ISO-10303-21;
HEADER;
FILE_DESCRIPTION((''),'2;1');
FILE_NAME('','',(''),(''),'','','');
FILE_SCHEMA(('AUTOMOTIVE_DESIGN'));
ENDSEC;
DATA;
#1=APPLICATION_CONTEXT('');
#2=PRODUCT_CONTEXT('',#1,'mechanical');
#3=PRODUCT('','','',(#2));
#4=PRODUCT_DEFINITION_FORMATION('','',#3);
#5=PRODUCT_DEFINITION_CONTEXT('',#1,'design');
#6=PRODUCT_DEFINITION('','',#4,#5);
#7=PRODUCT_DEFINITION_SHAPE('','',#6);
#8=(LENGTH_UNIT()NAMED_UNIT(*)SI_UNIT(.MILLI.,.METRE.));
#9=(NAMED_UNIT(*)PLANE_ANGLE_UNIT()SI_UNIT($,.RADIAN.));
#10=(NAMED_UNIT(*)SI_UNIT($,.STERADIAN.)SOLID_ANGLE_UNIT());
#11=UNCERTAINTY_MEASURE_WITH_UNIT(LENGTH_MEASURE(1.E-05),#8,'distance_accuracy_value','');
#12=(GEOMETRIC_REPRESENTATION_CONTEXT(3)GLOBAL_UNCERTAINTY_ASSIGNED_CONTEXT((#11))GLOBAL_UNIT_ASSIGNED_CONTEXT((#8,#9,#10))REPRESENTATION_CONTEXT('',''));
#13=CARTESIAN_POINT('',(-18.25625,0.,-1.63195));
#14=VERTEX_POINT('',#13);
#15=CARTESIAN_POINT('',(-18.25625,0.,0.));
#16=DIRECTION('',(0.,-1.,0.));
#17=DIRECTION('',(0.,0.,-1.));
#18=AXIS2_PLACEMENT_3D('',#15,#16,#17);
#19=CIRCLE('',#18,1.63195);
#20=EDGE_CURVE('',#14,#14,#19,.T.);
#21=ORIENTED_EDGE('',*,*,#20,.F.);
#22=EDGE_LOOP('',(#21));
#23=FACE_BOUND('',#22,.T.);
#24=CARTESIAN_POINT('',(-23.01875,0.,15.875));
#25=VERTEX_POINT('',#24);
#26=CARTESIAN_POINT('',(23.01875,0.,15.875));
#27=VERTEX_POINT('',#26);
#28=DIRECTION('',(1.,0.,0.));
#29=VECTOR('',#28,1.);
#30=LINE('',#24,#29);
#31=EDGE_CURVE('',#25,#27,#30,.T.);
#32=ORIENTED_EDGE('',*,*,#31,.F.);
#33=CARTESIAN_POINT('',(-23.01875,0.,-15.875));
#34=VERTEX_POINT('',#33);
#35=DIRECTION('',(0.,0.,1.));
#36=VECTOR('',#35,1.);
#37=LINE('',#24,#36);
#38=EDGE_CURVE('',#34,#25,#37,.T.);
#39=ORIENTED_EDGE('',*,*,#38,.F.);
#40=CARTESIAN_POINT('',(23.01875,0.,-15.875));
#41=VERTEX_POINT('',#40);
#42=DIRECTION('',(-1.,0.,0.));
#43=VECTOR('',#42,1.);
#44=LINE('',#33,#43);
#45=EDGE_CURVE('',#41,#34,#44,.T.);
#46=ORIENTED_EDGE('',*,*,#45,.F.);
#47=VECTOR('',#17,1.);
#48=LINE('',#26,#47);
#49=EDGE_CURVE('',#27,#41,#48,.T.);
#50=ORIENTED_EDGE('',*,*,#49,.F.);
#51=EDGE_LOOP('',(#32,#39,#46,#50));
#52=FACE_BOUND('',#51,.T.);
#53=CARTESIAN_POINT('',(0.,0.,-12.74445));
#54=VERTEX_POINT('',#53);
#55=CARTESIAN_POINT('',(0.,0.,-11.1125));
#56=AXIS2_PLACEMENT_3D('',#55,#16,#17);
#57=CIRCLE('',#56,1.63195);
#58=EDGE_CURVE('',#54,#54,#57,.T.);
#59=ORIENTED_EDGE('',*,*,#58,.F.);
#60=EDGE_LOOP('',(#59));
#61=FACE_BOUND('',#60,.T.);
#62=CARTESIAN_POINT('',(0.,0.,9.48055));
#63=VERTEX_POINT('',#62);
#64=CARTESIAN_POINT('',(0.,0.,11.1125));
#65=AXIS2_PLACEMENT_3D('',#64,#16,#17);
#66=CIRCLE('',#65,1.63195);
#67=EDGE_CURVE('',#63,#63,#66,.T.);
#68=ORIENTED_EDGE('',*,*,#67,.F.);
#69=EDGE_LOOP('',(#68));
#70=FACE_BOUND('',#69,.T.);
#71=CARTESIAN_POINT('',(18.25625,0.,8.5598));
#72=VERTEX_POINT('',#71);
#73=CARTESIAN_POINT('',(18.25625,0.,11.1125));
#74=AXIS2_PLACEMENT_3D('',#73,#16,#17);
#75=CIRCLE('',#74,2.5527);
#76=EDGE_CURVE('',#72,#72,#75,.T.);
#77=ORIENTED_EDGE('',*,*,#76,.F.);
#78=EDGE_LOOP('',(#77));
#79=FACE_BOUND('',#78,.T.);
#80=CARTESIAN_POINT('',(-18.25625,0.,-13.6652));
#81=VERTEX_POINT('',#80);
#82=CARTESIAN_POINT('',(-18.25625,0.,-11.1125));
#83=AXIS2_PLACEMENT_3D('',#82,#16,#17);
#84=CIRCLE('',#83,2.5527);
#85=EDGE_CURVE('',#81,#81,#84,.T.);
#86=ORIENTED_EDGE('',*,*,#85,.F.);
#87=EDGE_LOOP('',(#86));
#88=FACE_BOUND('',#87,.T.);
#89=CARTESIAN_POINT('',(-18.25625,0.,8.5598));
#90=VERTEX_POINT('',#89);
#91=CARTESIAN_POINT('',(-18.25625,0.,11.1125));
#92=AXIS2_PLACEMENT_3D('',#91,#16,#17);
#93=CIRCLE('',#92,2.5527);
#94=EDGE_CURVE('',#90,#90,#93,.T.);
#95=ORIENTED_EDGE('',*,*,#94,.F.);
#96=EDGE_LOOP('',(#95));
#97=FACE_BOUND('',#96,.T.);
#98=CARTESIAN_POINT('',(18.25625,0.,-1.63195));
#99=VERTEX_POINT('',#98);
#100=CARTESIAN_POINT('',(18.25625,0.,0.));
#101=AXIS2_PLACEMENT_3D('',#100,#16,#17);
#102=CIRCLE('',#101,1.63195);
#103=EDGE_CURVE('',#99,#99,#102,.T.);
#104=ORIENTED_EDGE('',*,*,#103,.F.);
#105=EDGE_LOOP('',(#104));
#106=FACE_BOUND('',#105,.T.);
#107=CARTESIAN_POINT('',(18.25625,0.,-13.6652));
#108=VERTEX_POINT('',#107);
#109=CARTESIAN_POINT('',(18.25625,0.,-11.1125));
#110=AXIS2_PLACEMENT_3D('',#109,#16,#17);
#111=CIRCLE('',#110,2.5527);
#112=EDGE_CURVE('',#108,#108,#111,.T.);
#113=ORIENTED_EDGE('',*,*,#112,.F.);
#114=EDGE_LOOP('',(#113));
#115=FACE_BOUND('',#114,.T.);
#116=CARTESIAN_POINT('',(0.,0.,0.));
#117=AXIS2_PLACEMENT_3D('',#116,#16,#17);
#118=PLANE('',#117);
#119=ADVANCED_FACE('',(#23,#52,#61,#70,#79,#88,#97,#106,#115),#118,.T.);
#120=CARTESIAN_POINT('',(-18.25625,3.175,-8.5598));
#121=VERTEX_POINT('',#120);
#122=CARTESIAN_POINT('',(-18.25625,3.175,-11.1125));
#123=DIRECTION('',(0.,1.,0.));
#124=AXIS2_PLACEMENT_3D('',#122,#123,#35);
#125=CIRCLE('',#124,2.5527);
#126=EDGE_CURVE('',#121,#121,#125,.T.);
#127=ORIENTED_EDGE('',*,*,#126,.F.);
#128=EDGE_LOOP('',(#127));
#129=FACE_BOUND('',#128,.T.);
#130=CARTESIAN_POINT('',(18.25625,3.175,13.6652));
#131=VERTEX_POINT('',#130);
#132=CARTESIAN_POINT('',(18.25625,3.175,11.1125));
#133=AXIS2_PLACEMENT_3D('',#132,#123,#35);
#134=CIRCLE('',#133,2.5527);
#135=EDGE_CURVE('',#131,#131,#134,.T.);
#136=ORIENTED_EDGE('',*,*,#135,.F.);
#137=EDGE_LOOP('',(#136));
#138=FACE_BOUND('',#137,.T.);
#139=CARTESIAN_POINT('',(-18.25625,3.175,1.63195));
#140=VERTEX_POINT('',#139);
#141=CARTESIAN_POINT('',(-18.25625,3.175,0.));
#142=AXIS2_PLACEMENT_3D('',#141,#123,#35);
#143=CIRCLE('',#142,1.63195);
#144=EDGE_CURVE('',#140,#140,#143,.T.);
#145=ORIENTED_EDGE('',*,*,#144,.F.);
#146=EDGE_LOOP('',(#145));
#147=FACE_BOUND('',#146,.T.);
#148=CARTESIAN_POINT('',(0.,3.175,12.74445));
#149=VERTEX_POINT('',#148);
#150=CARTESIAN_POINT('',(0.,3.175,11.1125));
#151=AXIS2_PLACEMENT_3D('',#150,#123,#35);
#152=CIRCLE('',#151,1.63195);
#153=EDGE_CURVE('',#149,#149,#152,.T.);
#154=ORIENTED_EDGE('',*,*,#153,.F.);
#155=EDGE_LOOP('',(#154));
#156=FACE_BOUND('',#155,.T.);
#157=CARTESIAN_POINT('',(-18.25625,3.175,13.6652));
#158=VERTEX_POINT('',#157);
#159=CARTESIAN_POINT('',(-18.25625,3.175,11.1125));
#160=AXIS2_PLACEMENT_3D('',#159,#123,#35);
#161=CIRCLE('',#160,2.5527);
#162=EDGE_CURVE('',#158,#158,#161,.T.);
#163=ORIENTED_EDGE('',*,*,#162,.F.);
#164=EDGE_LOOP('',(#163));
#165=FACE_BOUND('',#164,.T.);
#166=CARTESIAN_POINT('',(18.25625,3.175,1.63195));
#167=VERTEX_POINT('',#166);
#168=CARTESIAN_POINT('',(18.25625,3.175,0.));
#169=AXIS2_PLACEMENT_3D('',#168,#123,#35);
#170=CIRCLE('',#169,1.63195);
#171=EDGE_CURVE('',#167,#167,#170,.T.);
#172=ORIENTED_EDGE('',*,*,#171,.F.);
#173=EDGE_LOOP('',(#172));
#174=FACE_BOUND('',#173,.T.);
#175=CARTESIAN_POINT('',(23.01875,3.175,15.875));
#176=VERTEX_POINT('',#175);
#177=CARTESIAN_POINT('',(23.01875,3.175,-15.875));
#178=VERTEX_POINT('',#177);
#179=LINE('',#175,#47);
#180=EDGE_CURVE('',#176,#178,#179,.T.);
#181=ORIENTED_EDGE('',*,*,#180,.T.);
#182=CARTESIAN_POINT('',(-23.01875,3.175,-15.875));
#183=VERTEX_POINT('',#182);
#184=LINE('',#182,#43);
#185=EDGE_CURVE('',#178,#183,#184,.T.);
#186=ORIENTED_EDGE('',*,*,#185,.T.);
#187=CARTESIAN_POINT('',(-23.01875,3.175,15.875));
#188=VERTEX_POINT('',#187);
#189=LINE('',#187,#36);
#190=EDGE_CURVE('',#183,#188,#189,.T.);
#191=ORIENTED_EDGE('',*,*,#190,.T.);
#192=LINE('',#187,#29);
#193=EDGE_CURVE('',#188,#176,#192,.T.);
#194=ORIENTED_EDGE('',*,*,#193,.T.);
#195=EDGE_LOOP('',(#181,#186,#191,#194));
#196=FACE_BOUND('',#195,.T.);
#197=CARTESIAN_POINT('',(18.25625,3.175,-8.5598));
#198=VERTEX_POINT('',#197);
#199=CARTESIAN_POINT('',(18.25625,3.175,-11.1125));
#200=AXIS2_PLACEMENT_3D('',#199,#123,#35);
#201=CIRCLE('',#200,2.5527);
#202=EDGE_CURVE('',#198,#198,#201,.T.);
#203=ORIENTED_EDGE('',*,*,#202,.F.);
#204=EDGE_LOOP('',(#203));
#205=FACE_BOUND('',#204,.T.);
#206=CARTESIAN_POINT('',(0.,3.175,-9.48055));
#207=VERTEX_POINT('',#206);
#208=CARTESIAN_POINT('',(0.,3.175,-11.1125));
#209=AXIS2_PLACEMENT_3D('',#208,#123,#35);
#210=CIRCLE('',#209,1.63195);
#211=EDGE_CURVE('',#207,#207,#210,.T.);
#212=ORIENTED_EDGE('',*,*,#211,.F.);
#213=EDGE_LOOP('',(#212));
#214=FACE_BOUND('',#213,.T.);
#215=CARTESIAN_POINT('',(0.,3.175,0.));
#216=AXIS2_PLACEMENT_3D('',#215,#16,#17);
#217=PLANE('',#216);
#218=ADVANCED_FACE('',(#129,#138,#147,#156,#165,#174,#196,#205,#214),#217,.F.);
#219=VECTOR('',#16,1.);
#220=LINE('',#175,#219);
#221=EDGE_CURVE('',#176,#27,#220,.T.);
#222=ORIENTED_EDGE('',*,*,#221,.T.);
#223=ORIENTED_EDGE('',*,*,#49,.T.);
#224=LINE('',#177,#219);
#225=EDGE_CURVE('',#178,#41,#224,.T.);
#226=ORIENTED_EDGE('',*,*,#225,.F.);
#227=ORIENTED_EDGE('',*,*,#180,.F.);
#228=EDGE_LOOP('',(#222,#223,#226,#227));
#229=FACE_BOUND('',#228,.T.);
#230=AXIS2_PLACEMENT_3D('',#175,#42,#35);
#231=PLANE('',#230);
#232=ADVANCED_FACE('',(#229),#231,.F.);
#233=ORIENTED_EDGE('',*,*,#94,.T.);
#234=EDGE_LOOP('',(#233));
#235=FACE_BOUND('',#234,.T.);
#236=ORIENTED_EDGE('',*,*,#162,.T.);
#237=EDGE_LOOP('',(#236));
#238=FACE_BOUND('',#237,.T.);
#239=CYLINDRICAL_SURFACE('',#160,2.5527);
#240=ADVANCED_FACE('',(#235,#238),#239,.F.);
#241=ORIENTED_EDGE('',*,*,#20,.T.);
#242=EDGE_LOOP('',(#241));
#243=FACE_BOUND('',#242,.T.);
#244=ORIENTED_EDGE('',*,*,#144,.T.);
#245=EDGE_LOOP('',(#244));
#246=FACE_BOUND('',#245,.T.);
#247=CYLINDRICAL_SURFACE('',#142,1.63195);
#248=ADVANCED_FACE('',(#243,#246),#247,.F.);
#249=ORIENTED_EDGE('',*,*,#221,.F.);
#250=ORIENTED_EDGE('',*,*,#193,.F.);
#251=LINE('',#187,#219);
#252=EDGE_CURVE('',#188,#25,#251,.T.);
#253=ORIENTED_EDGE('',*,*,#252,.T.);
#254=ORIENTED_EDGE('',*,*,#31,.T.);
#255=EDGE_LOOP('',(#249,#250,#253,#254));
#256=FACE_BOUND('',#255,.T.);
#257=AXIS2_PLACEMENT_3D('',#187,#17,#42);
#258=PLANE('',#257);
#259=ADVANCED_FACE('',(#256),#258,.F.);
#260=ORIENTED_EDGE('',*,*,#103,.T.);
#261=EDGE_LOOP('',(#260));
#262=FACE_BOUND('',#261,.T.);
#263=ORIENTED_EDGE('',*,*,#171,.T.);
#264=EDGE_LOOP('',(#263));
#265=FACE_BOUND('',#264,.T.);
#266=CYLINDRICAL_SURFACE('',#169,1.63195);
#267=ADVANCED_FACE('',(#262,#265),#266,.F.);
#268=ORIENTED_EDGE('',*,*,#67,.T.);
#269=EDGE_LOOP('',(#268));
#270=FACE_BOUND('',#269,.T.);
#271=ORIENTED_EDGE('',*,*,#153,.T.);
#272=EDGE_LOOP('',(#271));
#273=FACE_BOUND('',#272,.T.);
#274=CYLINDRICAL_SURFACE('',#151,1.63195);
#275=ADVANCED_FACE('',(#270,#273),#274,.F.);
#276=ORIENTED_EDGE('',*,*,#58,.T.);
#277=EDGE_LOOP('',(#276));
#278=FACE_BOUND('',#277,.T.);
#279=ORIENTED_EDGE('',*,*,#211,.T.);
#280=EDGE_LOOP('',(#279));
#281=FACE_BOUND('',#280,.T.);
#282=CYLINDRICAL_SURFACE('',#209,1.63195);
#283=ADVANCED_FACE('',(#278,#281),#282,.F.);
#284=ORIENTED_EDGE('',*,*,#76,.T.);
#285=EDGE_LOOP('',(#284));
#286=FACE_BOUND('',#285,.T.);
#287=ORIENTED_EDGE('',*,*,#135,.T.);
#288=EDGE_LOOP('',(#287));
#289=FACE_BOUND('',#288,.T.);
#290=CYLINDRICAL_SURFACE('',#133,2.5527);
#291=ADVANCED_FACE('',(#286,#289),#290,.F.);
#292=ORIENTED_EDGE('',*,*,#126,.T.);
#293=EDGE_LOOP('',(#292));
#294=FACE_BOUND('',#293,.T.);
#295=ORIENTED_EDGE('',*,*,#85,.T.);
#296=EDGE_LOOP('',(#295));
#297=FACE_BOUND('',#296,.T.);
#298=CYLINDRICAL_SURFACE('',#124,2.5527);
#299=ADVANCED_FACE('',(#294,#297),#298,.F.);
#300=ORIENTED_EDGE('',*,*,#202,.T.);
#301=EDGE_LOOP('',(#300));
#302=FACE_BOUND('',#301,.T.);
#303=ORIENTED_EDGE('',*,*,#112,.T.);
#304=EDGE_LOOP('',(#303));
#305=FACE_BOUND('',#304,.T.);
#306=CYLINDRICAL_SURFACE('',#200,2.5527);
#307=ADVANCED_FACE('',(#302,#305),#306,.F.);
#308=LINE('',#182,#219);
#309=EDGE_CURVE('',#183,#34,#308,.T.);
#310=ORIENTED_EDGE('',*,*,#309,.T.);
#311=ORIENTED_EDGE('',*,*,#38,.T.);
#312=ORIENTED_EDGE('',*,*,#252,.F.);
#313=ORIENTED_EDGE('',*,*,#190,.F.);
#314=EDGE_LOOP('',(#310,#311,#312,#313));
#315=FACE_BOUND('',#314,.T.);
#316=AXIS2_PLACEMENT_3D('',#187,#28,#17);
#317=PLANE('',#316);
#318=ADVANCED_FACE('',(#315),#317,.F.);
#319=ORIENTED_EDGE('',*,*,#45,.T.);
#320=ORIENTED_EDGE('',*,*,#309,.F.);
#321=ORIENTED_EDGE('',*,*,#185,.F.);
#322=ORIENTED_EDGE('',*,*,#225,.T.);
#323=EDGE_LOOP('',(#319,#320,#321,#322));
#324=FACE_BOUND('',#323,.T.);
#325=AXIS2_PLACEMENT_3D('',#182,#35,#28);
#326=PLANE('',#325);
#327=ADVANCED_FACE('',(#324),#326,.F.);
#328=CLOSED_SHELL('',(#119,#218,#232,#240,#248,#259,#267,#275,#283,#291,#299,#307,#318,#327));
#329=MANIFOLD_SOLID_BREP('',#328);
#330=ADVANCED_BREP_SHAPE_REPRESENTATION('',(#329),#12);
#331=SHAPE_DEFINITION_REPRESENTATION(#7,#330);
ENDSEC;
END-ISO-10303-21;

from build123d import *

# Parameters (mm, degrees)
SKETCH1_W              = 46.0375
SKETCH1_H              = 31.75
BOSS_EXTRUDE1_DEPTH    = 3.175
F_10_CLEARANCE_HOLE1_D = 5.1054
F_4_CLEARANCE_HOLE1_D  = 3.2639


with BuildPart() as part:
    # Sketch1 → Boss-Extrude1 (new body)
    with BuildSketch(Plane(origin=(0, 0, 0), x_dir=(1, 0, 0), z_dir=(0, 1, 0))):
        Rectangle(SKETCH1_W, SKETCH1_H)
    extrude(amount=BOSS_EXTRUDE1_DEPTH)

    # #10 Clearance Hole1 (through all)
    with Locations(Plane(origin=(0, 3.175, 0), x_dir=(1, 0, 0), z_dir=(0, 1, 0))):
        with Locations((-18.25625, 11.1125), (-18.25625, -11.1125), (18.25625, -11.1125), (18.25625, 11.1125)):
            Hole(F_10_CLEARANCE_HOLE1_D / 2)

    # #4 Clearance Hole1 (through all)
    with Locations(Plane(origin=(0, 3.175, 0), x_dir=(1, 0, 0), z_dir=(0, 1, 0))):
        with Locations((0, 11.1125), (0, -11.1125), (-18.25625, 0), (18.25625, 0)):
            Hole(F_4_CLEARANCE_HOLE1_D / 2)


solid = part.part
